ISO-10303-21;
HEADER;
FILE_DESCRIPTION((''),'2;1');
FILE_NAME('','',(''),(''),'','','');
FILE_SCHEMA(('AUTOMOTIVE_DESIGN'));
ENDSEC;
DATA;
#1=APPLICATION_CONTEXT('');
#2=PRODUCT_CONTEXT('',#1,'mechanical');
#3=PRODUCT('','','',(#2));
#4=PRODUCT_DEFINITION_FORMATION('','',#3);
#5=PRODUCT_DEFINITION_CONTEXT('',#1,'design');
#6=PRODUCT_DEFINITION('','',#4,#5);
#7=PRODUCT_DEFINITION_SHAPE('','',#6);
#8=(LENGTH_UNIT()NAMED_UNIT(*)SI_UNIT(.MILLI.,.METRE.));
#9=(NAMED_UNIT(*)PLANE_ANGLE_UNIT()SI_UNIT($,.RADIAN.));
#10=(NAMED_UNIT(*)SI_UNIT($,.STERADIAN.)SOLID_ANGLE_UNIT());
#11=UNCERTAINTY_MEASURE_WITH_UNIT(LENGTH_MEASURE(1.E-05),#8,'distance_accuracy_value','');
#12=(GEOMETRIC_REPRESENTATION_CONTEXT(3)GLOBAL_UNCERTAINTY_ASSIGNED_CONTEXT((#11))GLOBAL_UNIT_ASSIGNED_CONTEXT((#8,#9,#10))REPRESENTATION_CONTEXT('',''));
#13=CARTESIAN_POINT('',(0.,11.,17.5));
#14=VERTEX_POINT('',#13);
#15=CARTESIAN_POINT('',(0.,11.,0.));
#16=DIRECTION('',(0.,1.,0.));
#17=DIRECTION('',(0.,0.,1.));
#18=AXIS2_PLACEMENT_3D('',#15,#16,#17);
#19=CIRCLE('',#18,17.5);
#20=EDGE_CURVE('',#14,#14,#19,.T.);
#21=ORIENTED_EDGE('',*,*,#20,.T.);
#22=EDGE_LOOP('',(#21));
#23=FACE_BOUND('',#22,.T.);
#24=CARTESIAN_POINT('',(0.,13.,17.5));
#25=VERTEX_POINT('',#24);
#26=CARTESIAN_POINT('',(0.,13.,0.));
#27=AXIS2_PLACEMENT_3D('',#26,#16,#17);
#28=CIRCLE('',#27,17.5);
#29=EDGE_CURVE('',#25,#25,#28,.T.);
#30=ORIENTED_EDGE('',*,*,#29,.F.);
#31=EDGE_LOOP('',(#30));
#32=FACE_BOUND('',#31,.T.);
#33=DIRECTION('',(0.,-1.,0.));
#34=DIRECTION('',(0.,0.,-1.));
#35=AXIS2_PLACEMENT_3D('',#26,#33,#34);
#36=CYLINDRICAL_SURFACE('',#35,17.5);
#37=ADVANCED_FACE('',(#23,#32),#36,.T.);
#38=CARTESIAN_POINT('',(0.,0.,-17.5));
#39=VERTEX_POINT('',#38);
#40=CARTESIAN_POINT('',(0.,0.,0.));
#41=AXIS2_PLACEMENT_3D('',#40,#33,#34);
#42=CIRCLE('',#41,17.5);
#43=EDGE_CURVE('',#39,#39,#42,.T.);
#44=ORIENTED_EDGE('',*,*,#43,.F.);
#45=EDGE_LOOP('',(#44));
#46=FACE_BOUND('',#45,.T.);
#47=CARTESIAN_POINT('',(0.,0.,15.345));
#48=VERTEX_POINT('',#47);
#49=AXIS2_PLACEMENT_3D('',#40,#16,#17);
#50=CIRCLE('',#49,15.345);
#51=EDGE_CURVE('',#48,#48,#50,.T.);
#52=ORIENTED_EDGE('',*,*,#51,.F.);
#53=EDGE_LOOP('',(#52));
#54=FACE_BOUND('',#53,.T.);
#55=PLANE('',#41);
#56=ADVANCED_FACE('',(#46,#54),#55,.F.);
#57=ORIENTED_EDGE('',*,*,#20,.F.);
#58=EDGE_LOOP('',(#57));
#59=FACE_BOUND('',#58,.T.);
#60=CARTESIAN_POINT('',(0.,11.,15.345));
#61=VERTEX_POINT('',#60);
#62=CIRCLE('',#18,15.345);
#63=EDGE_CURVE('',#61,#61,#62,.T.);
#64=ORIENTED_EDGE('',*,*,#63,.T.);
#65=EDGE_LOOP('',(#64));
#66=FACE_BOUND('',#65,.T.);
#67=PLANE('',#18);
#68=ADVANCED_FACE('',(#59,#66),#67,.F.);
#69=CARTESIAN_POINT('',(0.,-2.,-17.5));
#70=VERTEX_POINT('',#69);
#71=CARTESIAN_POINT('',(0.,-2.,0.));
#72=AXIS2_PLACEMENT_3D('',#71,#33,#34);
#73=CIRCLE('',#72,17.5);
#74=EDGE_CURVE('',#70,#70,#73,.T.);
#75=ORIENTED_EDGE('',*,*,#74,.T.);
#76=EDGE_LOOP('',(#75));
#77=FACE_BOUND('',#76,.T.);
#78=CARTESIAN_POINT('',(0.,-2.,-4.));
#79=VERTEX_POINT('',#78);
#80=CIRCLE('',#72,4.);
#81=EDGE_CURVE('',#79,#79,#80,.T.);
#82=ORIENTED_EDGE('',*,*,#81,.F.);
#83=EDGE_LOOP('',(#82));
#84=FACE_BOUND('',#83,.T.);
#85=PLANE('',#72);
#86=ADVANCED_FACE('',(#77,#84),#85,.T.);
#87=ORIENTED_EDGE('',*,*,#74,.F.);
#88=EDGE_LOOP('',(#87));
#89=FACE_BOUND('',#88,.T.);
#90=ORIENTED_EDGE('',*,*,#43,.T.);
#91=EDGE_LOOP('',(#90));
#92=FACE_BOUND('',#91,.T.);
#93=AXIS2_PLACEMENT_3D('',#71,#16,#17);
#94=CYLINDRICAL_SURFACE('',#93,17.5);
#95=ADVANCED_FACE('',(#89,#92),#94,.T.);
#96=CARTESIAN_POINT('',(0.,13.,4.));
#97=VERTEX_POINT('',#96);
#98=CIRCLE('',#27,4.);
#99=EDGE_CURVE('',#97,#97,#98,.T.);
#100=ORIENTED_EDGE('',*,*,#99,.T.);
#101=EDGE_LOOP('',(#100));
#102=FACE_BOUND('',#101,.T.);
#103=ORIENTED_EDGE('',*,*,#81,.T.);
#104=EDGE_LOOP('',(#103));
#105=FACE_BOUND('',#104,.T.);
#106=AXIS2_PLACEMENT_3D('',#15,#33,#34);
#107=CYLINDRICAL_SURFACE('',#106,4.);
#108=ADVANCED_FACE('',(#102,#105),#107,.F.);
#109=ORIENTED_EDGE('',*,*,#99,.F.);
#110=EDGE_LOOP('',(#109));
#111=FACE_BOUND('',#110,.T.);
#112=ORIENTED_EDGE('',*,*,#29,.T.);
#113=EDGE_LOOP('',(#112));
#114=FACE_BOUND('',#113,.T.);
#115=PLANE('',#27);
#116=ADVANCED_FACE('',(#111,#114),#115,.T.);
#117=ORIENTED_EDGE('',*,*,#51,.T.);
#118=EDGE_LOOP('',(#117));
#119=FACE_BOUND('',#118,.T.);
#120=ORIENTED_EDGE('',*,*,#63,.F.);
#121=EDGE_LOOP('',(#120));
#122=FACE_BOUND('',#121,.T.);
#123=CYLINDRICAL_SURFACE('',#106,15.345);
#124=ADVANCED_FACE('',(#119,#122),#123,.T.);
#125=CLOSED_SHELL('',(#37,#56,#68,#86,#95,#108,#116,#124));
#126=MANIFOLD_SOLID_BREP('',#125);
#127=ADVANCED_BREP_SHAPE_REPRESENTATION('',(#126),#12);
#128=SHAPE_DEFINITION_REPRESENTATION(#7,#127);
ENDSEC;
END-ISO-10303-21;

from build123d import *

# Parameters (mm, degrees)
SKETCH_1_R      = 15.345
SKETCH_1_R_2    = 4
EXTRUDE_1_DEPTH = 11
SKETCH_2_R      = 17.5
SKETCH_2_R_2    = 4
EXTRUDE_2_DEPTH = 2
EXTRUDE_START   = 2
SKETCH_3_R      = 17.5
SKETCH_3_R_2    = 4
EXTRUDE_3_DEPTH = 2


with BuildPart() as part:
    # 草图1 → 凸台-拉伸1 (new body)
    with BuildSketch(Plane(origin=(0, 0, 0), x_dir=(1, 0, 0), z_dir=(0, 1, 0))):
        with Locations(Location((0, 0, 0), (0, 0, 270))):
            Circle(SKETCH_1_R)
        with Locations(Location((0, 0, 0), (0, 0, 270))):
            Circle(SKETCH_1_R_2, mode=Mode.SUBTRACT)
    extrude(amount=EXTRUDE_1_DEPTH)

    # 草图2 → 凸台-拉伸2 (add)
    with BuildSketch(Plane(origin=(0, 11, 0), x_dir=(1, 0, 0), z_dir=(0, 1, 0))):
        with Locations(Location((0, 0, 0), (0, 0, 270))):
            Circle(SKETCH_2_R)
        with Locations(Location((0, 0, 0), (0, 0, 270))):
            Circle(SKETCH_2_R_2, mode=Mode.SUBTRACT)
    extrude(amount=EXTRUDE_2_DEPTH)

    # 草图3 → 凸台-拉伸3 (add)
    with BuildSketch(Plane.XZ.offset(EXTRUDE_START)):
        with Locations(Location((0, 0, 0), (0, 0, 90))):
            Circle(SKETCH_3_R)
        with Locations(Location((0, 0, 0), (0, 0, 270))):
            Circle(SKETCH_3_R_2, mode=Mode.SUBTRACT)
    extrude(amount=-EXTRUDE_3_DEPTH)


solid = part.part
